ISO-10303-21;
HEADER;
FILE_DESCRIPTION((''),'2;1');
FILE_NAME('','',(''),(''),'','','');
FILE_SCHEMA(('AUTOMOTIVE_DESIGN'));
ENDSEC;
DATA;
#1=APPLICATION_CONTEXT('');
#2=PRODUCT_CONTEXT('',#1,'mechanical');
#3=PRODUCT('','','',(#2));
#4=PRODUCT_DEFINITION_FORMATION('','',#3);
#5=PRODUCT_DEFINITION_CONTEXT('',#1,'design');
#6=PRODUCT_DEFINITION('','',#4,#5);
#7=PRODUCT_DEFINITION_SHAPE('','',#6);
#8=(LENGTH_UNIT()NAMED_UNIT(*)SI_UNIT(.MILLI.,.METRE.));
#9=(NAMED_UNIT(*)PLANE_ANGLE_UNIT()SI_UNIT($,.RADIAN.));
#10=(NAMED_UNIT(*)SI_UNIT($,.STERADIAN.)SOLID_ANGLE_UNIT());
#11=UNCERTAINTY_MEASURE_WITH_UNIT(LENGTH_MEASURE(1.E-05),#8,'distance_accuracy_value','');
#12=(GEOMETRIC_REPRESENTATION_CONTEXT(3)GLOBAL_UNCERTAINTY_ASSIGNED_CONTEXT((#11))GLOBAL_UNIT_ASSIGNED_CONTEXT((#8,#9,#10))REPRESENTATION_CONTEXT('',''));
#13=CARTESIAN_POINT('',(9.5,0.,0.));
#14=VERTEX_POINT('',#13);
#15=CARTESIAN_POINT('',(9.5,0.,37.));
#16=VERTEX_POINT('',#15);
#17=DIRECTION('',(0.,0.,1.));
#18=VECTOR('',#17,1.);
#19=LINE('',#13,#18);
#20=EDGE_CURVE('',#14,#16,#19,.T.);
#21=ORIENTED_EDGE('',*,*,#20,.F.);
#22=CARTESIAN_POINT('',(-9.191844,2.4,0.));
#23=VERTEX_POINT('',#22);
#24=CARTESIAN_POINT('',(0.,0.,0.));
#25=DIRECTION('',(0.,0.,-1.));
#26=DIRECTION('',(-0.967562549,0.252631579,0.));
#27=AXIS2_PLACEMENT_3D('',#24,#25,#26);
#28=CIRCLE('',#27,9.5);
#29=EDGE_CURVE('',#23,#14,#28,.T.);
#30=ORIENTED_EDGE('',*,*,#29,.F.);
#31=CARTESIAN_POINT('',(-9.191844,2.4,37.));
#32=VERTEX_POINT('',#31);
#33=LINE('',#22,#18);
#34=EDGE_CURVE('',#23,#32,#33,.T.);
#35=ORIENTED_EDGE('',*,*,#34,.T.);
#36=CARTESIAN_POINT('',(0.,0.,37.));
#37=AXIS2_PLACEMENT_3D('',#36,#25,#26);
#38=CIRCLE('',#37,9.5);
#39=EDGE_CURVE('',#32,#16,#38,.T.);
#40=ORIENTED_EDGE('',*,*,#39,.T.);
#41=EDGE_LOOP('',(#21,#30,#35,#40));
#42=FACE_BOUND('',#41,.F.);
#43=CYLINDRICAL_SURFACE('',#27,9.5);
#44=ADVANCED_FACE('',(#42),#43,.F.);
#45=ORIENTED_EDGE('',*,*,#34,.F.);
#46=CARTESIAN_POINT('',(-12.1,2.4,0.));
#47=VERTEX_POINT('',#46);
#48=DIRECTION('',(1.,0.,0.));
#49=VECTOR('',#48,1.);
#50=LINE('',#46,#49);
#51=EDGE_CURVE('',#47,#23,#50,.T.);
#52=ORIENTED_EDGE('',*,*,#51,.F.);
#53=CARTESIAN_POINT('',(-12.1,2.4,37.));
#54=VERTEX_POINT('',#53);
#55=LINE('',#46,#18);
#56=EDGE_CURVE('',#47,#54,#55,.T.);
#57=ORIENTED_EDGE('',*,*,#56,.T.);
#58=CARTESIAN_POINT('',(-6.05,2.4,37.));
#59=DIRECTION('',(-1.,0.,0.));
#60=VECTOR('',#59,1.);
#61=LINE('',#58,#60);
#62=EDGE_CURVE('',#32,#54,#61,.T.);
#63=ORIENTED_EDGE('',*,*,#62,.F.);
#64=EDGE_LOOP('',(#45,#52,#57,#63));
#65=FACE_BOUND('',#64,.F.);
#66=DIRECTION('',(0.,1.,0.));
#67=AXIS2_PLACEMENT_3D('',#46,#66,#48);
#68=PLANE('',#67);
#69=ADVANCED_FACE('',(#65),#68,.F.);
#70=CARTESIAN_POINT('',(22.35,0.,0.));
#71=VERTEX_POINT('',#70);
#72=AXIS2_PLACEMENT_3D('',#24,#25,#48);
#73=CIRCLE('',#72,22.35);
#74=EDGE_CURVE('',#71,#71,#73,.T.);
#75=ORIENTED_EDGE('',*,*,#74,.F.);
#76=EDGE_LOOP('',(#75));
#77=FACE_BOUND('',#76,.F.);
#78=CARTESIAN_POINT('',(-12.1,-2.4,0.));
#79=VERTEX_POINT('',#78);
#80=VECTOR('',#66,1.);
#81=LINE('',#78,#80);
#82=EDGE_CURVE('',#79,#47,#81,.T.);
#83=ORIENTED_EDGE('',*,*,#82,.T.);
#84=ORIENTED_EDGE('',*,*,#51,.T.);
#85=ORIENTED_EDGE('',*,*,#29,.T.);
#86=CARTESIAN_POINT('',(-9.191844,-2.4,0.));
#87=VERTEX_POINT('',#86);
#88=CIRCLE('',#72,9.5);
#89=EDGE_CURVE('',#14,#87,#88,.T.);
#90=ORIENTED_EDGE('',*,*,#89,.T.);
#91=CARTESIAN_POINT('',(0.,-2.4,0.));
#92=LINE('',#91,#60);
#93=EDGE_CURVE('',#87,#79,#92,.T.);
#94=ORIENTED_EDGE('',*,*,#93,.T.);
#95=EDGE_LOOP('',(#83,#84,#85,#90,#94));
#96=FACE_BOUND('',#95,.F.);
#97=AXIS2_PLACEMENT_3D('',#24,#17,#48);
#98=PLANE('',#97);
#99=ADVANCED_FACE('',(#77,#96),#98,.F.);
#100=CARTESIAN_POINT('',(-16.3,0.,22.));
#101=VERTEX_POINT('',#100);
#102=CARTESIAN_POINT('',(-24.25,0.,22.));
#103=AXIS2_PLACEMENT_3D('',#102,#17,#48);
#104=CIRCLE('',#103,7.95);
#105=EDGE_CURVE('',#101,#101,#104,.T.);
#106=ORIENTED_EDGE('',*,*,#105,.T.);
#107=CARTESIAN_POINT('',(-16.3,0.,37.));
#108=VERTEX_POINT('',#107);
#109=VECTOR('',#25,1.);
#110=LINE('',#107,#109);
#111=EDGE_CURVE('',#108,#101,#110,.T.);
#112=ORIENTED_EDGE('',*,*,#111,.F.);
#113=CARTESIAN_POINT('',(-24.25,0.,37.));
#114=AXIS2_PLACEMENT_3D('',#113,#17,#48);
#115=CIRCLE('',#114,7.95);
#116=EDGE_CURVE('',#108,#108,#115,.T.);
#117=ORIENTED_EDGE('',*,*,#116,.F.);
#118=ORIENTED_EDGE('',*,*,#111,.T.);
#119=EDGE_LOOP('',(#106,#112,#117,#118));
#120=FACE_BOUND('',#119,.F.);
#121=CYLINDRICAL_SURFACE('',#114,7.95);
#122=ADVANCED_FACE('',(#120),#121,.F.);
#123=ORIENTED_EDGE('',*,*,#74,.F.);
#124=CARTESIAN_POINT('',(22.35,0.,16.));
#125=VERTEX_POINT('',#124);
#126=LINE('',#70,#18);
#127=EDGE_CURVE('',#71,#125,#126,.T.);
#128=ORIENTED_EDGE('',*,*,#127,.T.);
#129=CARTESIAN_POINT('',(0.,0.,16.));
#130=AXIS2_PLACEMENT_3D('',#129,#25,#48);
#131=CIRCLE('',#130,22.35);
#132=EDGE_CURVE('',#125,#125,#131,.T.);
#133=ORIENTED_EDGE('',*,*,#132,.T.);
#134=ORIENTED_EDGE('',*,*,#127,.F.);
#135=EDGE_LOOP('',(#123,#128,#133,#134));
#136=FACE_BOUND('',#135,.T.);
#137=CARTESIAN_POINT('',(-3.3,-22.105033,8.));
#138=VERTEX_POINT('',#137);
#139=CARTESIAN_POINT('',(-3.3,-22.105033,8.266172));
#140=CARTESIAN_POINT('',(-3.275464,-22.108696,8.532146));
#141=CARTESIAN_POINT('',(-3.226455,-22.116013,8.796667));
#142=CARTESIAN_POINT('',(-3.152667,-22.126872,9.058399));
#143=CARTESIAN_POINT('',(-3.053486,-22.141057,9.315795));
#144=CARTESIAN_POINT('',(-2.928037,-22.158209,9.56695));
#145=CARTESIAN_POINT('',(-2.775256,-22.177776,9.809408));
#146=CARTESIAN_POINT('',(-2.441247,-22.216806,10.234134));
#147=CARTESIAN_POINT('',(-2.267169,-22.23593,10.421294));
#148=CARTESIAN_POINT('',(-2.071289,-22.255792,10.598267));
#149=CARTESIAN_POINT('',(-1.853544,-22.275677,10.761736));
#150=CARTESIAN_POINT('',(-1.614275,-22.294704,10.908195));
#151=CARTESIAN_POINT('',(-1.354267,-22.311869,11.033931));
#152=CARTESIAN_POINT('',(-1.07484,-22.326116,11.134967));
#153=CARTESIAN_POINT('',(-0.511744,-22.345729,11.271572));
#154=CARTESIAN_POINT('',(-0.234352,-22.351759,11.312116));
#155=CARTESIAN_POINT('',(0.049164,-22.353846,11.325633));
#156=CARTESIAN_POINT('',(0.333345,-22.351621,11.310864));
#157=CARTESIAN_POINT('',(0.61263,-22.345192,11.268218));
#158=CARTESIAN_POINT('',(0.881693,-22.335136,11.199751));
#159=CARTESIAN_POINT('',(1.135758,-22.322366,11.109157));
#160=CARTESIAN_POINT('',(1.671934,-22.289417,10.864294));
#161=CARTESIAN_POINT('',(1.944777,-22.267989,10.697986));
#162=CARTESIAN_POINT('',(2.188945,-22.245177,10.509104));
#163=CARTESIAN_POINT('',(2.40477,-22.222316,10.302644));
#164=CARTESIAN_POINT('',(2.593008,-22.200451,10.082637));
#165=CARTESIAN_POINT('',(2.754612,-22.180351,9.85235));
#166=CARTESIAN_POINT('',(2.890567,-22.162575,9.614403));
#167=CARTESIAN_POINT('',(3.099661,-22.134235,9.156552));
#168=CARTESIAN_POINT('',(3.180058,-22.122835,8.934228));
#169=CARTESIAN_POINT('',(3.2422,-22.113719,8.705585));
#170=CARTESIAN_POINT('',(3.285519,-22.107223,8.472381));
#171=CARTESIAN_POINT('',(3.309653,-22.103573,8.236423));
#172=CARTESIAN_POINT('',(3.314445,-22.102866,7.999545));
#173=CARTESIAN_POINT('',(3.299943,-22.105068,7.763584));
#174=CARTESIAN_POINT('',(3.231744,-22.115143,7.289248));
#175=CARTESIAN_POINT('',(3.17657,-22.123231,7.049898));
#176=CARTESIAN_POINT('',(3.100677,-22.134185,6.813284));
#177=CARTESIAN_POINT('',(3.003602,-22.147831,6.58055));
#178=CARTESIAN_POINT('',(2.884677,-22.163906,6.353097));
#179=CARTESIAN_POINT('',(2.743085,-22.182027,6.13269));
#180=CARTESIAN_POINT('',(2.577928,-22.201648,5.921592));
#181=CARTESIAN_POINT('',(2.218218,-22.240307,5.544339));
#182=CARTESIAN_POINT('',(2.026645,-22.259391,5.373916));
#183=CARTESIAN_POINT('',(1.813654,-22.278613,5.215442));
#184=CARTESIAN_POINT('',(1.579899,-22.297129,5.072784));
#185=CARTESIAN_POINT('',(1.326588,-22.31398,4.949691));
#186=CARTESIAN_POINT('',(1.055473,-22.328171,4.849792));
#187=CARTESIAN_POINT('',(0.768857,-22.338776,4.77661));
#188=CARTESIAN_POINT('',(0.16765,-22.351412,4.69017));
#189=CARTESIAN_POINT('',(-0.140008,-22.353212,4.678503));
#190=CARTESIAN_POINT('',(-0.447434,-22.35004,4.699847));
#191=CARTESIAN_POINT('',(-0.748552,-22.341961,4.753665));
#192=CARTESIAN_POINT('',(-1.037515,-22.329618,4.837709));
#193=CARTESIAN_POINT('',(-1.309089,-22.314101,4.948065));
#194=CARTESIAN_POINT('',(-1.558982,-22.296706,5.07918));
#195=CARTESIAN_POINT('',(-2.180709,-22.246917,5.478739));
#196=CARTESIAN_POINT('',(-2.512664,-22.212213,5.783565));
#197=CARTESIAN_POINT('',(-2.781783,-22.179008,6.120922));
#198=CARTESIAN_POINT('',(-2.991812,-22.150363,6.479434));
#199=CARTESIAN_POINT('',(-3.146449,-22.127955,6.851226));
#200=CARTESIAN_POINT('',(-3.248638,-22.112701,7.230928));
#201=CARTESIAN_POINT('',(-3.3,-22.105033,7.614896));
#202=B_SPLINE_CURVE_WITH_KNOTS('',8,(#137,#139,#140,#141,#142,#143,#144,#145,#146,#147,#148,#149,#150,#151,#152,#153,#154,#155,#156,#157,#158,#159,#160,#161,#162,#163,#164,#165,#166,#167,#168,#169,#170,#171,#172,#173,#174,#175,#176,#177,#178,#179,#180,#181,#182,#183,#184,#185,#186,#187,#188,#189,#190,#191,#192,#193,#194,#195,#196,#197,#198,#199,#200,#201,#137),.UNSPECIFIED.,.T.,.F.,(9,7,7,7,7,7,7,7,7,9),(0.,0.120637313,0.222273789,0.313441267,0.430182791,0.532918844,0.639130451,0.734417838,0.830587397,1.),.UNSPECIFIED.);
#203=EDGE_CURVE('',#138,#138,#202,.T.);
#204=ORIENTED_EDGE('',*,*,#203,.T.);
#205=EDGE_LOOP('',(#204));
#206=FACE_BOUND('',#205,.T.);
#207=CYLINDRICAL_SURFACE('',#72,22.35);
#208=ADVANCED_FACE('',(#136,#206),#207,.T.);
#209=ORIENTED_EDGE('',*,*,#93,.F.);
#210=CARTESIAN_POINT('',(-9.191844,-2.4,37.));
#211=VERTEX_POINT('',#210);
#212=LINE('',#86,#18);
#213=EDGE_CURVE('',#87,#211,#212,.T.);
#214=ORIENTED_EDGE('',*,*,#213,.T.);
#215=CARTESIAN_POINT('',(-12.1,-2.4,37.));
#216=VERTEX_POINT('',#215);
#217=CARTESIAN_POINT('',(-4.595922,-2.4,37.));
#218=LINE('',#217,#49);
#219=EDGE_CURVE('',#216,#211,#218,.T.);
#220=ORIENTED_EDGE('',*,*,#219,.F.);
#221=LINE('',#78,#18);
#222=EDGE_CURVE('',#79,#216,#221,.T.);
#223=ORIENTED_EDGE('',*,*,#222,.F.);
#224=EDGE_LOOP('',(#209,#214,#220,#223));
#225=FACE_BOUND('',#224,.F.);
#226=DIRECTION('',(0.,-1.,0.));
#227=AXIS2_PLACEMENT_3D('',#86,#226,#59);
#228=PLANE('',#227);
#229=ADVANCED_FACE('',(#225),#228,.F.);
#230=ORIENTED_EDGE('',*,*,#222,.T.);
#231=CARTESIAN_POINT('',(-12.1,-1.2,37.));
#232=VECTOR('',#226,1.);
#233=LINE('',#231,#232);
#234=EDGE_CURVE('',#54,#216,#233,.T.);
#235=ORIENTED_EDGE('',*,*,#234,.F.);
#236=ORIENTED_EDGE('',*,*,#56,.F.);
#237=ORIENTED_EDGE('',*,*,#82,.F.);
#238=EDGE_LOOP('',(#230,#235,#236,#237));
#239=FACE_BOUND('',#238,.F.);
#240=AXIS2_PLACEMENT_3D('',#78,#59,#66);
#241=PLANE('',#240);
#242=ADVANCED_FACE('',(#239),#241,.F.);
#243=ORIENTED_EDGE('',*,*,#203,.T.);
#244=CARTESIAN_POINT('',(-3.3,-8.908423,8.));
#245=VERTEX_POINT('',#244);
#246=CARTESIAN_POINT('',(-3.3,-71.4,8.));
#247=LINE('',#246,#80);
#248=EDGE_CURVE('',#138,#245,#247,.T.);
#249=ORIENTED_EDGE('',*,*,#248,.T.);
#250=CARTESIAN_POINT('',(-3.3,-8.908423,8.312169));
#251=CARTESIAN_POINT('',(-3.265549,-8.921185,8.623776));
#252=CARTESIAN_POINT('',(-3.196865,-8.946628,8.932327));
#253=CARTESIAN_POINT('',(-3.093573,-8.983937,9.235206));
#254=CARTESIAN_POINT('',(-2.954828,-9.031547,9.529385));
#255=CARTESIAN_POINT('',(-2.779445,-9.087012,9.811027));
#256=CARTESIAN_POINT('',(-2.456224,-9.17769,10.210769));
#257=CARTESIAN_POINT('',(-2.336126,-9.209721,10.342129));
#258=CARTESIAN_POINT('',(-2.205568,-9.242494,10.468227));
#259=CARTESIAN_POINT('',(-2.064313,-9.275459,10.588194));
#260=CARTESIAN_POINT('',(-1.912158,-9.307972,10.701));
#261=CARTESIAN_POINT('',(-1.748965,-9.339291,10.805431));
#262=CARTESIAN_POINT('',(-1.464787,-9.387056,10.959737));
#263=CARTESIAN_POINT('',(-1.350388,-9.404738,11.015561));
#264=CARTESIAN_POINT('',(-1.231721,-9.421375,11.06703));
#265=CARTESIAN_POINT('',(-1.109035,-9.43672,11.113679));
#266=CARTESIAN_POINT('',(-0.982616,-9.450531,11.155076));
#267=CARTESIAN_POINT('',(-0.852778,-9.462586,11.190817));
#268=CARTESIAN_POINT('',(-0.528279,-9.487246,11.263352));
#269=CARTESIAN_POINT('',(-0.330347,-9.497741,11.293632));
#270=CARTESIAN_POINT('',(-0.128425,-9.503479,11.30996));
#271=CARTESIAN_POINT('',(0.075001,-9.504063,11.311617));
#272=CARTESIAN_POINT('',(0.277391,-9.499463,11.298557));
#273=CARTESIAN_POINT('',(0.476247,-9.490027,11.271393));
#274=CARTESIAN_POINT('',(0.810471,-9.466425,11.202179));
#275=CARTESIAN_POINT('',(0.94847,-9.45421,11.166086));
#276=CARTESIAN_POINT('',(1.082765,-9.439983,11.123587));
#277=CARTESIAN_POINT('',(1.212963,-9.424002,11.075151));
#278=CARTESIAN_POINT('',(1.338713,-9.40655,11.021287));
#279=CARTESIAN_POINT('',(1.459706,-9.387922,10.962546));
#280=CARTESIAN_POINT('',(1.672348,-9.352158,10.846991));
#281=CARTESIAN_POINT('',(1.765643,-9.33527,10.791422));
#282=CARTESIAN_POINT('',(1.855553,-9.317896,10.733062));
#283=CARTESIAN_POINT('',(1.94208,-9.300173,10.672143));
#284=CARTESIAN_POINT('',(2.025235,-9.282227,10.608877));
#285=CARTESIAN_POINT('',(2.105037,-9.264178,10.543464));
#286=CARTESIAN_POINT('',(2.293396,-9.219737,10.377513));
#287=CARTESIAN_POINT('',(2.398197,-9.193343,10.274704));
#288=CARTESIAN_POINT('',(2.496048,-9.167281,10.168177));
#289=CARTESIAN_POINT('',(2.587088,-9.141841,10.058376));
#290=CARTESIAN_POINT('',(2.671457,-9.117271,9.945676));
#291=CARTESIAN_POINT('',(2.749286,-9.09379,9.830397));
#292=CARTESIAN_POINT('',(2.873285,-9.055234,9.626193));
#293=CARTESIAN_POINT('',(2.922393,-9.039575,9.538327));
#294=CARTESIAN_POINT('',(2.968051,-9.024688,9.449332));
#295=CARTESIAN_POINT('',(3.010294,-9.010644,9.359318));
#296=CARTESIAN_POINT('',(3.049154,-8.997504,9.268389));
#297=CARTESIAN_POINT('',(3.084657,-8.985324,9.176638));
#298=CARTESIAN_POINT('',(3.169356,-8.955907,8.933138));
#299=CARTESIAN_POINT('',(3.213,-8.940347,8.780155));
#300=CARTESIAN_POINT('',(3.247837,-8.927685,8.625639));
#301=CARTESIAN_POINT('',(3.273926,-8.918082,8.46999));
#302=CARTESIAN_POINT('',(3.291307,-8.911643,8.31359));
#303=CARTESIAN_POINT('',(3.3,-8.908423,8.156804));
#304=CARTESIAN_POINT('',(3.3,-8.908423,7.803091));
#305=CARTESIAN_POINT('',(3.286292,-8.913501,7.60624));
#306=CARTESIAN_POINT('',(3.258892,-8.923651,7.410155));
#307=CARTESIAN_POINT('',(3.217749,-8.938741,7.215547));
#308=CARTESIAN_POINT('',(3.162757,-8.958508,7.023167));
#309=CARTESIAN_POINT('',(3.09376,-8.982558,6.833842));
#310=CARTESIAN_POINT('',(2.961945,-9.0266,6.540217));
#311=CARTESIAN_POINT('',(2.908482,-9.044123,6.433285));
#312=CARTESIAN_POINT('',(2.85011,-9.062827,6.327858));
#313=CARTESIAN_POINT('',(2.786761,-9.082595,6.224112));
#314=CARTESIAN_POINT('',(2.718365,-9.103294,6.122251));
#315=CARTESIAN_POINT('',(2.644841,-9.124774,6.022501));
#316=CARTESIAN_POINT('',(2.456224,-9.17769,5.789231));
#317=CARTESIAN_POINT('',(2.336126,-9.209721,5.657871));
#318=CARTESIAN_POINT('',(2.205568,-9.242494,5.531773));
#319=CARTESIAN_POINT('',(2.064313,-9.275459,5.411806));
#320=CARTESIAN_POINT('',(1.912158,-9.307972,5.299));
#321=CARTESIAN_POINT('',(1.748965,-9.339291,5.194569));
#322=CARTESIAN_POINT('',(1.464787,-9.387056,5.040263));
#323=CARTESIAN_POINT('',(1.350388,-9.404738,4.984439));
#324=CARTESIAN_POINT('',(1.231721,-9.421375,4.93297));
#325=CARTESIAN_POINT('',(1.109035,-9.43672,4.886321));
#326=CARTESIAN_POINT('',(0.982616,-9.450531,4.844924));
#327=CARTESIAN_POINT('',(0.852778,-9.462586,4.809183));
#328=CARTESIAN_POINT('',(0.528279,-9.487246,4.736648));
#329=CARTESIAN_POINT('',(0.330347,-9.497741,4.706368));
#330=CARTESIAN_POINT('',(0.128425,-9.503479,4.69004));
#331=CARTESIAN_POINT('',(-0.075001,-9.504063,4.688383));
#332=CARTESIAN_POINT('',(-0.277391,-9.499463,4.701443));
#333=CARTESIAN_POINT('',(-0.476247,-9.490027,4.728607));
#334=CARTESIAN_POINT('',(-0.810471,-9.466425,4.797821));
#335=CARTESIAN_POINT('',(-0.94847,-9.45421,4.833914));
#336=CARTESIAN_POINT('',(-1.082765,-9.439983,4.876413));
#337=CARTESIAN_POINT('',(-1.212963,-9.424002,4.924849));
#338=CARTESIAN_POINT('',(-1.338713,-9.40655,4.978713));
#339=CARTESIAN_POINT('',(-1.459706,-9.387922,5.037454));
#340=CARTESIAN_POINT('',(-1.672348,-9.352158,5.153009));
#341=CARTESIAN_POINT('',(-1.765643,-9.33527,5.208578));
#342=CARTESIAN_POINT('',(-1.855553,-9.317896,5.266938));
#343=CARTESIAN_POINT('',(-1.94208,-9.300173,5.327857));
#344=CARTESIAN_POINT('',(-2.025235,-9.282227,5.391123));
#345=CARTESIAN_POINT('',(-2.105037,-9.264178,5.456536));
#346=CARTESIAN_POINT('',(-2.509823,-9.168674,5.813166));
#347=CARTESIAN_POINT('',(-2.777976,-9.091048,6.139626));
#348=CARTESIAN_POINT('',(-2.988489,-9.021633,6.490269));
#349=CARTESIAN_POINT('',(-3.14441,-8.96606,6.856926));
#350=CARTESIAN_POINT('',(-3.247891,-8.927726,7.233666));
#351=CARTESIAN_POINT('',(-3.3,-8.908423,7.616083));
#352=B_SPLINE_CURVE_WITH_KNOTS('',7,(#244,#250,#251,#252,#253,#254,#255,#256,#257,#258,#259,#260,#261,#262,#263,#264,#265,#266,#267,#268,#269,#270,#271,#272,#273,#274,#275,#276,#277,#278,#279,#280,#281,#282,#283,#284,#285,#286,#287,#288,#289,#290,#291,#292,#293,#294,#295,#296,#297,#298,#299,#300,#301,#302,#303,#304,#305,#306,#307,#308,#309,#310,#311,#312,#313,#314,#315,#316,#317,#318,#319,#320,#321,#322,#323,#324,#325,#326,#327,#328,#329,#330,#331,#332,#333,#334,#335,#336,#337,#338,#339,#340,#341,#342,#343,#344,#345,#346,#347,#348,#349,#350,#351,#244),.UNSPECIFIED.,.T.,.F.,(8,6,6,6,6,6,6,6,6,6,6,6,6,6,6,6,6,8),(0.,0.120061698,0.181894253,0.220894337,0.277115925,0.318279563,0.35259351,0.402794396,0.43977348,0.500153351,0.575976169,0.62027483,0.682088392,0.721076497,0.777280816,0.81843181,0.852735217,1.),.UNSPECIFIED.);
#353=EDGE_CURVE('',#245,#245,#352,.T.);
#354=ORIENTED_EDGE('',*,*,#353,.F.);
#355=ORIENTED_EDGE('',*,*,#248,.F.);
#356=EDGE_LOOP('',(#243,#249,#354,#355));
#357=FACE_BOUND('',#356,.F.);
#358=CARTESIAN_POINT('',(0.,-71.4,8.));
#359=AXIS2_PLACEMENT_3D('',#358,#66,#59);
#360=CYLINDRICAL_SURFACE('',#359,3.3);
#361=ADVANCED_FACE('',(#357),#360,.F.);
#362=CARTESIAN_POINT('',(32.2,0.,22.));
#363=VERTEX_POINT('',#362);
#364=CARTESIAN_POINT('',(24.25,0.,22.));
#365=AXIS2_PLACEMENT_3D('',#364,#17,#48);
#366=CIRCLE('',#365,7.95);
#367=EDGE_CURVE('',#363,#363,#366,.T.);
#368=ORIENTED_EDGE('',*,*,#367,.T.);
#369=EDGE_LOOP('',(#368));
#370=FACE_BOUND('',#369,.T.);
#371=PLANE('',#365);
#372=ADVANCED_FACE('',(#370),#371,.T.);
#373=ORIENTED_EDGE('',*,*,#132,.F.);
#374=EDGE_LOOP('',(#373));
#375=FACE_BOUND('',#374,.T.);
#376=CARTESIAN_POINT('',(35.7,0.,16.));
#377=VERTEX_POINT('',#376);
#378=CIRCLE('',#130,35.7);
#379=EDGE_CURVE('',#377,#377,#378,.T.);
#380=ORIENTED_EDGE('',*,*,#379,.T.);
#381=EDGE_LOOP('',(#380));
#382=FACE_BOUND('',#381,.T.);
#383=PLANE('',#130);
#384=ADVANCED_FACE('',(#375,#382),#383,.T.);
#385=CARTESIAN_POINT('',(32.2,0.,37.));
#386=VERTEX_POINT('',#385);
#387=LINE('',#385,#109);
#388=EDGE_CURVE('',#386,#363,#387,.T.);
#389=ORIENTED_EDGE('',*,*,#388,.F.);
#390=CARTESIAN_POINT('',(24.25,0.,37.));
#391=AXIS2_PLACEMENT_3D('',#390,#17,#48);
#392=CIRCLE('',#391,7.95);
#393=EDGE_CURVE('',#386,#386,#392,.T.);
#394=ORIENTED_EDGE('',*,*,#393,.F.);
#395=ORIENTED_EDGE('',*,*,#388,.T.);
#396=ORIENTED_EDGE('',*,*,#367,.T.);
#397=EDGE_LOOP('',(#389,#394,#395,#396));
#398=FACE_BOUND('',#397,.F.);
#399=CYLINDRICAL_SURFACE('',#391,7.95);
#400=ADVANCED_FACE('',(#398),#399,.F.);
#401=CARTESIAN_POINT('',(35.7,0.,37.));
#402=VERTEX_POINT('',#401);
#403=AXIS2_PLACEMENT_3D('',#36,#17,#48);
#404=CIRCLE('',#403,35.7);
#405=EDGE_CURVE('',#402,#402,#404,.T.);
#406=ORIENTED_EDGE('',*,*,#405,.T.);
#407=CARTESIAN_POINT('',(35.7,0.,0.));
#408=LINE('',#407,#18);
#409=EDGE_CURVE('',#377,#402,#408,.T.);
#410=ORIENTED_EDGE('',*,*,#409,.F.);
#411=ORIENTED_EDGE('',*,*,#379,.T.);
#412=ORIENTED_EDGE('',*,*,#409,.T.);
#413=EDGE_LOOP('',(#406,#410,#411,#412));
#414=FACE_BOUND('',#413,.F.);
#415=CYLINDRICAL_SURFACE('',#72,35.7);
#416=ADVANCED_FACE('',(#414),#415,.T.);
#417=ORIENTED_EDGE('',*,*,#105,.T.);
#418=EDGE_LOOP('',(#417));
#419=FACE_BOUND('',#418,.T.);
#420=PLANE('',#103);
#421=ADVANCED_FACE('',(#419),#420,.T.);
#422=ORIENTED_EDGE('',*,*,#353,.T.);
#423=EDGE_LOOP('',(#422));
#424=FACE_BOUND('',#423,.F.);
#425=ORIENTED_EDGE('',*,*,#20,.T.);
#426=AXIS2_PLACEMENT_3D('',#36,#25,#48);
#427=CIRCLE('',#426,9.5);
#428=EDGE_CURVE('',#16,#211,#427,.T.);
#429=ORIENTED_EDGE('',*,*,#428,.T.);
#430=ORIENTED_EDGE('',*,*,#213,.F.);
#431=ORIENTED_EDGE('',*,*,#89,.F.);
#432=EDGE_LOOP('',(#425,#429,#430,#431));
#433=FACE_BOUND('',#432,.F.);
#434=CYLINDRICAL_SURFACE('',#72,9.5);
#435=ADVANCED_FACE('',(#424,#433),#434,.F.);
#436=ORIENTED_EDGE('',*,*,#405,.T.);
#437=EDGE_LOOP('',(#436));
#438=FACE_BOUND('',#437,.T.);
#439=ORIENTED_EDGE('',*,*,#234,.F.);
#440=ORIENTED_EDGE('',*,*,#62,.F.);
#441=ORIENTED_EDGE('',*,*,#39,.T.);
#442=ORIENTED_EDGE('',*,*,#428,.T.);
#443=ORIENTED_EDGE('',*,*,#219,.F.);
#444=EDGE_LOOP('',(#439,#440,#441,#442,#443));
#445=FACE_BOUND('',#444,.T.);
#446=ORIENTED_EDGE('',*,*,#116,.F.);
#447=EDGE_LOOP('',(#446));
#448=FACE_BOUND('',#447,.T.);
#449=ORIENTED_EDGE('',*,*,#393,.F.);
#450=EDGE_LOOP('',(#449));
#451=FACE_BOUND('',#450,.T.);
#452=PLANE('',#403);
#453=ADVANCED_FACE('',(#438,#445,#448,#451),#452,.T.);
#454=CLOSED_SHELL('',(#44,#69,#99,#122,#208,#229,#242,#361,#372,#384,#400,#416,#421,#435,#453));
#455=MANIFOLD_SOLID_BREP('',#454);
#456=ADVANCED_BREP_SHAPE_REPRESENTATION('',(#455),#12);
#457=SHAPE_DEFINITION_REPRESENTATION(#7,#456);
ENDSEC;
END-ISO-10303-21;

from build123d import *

# Parameters (mm, degrees)
F0_R      = 35.7
F1_DEPTH  = 37
F3_R      = 35.7
F3_R_2    = 22.35
F4_DEPTH  = 16
F6_DEPTH  = 37.001
F7_R      = 7.95
F8_DEPTH  = 15
F12_D     = 6.6
F12_DEPTH = 35.7
F12_TIP   = 1.9828400428


with BuildPart() as f1:
    # F0 (on Top) → F1 (new body)
    with BuildSketch(Plane.XY):
        Circle(F0_R)
    extrude(amount=F1_DEPTH)

    # F3 (on face) → F4 (cut)
    with BuildSketch(Plane(origin=(0, 0, 0), x_dir=(1, 0, 0), z_dir=(0, 0, -1))):
        Circle(F3_R)
        Circle(F3_R_2, mode=Mode.SUBTRACT)
    extrude(amount=-F4_DEPTH, mode=Mode.SUBTRACT)

    # F5 (on face) → F6 (cut, through all)
    with BuildSketch(Plane(origin=(0, 0, 0), x_dir=(1, 0, 0), z_dir=(0, 0, -1))):
        with BuildLine():
            ThreePointArc((-9.191844211, -2.4), (-9.5, 0), (-9.191844211, 2.4))
            Line((-9.191844211, 2.4), (-12.1, 2.4))
            Line((-12.1, 2.4), (-12.1, -2.4))
            Line((-12.1, -2.4), (-9.191844211, -2.4))
        make_face()
        with BuildLine():
            Line((0, 2.4), (-9.191844211, 2.4))
            ThreePointArc((-9.191844211, 2.4), (-9.5, 0), (-9.191844211, -2.4))
            Line((-9.191844211, -2.4), (0, -2.4))
            Line((0, -2.4), (0, 2.4))
        make_face()
        with BuildLine():
            ThreePointArc((-9.191844211, -2.4), (1.2098512295, -9.4226461253), (9.5, 0))
            ThreePointArc((9.5, 0), (1.2098512295, 9.4226461253), (-9.191844211, 2.4))
            Line((-9.191844211, 2.4), (0, 2.4))
            Line((0, 2.4), (0, -2.4))
            Line((0, -2.4), (-9.191844211, -2.4))
        make_face()
    extrude(amount=-F6_DEPTH, mode=Mode.SUBTRACT)

    # F7 (on face) → F8 (cut)
    with BuildSketch(Plane.XY.offset(37)):
        with Locations((-24.25, 0)):
            Circle(F7_R)
        with Locations((24.25, 0)):
            Circle(F7_R)
    extrude(amount=-F8_DEPTH, mode=Mode.SUBTRACT)

    # F12
    with Locations(Plane.XZ.offset(35.7)):
        with Locations((0, 8)):
            Hole(F12_D / 2, depth=F12_DEPTH)
            with Locations((0, 0, -(F12_DEPTH + F12_TIP / 2))):  # 118° drill point
                Cone(0, F12_D / 2, F12_TIP, mode=Mode.SUBTRACT)


solid = f1.part
